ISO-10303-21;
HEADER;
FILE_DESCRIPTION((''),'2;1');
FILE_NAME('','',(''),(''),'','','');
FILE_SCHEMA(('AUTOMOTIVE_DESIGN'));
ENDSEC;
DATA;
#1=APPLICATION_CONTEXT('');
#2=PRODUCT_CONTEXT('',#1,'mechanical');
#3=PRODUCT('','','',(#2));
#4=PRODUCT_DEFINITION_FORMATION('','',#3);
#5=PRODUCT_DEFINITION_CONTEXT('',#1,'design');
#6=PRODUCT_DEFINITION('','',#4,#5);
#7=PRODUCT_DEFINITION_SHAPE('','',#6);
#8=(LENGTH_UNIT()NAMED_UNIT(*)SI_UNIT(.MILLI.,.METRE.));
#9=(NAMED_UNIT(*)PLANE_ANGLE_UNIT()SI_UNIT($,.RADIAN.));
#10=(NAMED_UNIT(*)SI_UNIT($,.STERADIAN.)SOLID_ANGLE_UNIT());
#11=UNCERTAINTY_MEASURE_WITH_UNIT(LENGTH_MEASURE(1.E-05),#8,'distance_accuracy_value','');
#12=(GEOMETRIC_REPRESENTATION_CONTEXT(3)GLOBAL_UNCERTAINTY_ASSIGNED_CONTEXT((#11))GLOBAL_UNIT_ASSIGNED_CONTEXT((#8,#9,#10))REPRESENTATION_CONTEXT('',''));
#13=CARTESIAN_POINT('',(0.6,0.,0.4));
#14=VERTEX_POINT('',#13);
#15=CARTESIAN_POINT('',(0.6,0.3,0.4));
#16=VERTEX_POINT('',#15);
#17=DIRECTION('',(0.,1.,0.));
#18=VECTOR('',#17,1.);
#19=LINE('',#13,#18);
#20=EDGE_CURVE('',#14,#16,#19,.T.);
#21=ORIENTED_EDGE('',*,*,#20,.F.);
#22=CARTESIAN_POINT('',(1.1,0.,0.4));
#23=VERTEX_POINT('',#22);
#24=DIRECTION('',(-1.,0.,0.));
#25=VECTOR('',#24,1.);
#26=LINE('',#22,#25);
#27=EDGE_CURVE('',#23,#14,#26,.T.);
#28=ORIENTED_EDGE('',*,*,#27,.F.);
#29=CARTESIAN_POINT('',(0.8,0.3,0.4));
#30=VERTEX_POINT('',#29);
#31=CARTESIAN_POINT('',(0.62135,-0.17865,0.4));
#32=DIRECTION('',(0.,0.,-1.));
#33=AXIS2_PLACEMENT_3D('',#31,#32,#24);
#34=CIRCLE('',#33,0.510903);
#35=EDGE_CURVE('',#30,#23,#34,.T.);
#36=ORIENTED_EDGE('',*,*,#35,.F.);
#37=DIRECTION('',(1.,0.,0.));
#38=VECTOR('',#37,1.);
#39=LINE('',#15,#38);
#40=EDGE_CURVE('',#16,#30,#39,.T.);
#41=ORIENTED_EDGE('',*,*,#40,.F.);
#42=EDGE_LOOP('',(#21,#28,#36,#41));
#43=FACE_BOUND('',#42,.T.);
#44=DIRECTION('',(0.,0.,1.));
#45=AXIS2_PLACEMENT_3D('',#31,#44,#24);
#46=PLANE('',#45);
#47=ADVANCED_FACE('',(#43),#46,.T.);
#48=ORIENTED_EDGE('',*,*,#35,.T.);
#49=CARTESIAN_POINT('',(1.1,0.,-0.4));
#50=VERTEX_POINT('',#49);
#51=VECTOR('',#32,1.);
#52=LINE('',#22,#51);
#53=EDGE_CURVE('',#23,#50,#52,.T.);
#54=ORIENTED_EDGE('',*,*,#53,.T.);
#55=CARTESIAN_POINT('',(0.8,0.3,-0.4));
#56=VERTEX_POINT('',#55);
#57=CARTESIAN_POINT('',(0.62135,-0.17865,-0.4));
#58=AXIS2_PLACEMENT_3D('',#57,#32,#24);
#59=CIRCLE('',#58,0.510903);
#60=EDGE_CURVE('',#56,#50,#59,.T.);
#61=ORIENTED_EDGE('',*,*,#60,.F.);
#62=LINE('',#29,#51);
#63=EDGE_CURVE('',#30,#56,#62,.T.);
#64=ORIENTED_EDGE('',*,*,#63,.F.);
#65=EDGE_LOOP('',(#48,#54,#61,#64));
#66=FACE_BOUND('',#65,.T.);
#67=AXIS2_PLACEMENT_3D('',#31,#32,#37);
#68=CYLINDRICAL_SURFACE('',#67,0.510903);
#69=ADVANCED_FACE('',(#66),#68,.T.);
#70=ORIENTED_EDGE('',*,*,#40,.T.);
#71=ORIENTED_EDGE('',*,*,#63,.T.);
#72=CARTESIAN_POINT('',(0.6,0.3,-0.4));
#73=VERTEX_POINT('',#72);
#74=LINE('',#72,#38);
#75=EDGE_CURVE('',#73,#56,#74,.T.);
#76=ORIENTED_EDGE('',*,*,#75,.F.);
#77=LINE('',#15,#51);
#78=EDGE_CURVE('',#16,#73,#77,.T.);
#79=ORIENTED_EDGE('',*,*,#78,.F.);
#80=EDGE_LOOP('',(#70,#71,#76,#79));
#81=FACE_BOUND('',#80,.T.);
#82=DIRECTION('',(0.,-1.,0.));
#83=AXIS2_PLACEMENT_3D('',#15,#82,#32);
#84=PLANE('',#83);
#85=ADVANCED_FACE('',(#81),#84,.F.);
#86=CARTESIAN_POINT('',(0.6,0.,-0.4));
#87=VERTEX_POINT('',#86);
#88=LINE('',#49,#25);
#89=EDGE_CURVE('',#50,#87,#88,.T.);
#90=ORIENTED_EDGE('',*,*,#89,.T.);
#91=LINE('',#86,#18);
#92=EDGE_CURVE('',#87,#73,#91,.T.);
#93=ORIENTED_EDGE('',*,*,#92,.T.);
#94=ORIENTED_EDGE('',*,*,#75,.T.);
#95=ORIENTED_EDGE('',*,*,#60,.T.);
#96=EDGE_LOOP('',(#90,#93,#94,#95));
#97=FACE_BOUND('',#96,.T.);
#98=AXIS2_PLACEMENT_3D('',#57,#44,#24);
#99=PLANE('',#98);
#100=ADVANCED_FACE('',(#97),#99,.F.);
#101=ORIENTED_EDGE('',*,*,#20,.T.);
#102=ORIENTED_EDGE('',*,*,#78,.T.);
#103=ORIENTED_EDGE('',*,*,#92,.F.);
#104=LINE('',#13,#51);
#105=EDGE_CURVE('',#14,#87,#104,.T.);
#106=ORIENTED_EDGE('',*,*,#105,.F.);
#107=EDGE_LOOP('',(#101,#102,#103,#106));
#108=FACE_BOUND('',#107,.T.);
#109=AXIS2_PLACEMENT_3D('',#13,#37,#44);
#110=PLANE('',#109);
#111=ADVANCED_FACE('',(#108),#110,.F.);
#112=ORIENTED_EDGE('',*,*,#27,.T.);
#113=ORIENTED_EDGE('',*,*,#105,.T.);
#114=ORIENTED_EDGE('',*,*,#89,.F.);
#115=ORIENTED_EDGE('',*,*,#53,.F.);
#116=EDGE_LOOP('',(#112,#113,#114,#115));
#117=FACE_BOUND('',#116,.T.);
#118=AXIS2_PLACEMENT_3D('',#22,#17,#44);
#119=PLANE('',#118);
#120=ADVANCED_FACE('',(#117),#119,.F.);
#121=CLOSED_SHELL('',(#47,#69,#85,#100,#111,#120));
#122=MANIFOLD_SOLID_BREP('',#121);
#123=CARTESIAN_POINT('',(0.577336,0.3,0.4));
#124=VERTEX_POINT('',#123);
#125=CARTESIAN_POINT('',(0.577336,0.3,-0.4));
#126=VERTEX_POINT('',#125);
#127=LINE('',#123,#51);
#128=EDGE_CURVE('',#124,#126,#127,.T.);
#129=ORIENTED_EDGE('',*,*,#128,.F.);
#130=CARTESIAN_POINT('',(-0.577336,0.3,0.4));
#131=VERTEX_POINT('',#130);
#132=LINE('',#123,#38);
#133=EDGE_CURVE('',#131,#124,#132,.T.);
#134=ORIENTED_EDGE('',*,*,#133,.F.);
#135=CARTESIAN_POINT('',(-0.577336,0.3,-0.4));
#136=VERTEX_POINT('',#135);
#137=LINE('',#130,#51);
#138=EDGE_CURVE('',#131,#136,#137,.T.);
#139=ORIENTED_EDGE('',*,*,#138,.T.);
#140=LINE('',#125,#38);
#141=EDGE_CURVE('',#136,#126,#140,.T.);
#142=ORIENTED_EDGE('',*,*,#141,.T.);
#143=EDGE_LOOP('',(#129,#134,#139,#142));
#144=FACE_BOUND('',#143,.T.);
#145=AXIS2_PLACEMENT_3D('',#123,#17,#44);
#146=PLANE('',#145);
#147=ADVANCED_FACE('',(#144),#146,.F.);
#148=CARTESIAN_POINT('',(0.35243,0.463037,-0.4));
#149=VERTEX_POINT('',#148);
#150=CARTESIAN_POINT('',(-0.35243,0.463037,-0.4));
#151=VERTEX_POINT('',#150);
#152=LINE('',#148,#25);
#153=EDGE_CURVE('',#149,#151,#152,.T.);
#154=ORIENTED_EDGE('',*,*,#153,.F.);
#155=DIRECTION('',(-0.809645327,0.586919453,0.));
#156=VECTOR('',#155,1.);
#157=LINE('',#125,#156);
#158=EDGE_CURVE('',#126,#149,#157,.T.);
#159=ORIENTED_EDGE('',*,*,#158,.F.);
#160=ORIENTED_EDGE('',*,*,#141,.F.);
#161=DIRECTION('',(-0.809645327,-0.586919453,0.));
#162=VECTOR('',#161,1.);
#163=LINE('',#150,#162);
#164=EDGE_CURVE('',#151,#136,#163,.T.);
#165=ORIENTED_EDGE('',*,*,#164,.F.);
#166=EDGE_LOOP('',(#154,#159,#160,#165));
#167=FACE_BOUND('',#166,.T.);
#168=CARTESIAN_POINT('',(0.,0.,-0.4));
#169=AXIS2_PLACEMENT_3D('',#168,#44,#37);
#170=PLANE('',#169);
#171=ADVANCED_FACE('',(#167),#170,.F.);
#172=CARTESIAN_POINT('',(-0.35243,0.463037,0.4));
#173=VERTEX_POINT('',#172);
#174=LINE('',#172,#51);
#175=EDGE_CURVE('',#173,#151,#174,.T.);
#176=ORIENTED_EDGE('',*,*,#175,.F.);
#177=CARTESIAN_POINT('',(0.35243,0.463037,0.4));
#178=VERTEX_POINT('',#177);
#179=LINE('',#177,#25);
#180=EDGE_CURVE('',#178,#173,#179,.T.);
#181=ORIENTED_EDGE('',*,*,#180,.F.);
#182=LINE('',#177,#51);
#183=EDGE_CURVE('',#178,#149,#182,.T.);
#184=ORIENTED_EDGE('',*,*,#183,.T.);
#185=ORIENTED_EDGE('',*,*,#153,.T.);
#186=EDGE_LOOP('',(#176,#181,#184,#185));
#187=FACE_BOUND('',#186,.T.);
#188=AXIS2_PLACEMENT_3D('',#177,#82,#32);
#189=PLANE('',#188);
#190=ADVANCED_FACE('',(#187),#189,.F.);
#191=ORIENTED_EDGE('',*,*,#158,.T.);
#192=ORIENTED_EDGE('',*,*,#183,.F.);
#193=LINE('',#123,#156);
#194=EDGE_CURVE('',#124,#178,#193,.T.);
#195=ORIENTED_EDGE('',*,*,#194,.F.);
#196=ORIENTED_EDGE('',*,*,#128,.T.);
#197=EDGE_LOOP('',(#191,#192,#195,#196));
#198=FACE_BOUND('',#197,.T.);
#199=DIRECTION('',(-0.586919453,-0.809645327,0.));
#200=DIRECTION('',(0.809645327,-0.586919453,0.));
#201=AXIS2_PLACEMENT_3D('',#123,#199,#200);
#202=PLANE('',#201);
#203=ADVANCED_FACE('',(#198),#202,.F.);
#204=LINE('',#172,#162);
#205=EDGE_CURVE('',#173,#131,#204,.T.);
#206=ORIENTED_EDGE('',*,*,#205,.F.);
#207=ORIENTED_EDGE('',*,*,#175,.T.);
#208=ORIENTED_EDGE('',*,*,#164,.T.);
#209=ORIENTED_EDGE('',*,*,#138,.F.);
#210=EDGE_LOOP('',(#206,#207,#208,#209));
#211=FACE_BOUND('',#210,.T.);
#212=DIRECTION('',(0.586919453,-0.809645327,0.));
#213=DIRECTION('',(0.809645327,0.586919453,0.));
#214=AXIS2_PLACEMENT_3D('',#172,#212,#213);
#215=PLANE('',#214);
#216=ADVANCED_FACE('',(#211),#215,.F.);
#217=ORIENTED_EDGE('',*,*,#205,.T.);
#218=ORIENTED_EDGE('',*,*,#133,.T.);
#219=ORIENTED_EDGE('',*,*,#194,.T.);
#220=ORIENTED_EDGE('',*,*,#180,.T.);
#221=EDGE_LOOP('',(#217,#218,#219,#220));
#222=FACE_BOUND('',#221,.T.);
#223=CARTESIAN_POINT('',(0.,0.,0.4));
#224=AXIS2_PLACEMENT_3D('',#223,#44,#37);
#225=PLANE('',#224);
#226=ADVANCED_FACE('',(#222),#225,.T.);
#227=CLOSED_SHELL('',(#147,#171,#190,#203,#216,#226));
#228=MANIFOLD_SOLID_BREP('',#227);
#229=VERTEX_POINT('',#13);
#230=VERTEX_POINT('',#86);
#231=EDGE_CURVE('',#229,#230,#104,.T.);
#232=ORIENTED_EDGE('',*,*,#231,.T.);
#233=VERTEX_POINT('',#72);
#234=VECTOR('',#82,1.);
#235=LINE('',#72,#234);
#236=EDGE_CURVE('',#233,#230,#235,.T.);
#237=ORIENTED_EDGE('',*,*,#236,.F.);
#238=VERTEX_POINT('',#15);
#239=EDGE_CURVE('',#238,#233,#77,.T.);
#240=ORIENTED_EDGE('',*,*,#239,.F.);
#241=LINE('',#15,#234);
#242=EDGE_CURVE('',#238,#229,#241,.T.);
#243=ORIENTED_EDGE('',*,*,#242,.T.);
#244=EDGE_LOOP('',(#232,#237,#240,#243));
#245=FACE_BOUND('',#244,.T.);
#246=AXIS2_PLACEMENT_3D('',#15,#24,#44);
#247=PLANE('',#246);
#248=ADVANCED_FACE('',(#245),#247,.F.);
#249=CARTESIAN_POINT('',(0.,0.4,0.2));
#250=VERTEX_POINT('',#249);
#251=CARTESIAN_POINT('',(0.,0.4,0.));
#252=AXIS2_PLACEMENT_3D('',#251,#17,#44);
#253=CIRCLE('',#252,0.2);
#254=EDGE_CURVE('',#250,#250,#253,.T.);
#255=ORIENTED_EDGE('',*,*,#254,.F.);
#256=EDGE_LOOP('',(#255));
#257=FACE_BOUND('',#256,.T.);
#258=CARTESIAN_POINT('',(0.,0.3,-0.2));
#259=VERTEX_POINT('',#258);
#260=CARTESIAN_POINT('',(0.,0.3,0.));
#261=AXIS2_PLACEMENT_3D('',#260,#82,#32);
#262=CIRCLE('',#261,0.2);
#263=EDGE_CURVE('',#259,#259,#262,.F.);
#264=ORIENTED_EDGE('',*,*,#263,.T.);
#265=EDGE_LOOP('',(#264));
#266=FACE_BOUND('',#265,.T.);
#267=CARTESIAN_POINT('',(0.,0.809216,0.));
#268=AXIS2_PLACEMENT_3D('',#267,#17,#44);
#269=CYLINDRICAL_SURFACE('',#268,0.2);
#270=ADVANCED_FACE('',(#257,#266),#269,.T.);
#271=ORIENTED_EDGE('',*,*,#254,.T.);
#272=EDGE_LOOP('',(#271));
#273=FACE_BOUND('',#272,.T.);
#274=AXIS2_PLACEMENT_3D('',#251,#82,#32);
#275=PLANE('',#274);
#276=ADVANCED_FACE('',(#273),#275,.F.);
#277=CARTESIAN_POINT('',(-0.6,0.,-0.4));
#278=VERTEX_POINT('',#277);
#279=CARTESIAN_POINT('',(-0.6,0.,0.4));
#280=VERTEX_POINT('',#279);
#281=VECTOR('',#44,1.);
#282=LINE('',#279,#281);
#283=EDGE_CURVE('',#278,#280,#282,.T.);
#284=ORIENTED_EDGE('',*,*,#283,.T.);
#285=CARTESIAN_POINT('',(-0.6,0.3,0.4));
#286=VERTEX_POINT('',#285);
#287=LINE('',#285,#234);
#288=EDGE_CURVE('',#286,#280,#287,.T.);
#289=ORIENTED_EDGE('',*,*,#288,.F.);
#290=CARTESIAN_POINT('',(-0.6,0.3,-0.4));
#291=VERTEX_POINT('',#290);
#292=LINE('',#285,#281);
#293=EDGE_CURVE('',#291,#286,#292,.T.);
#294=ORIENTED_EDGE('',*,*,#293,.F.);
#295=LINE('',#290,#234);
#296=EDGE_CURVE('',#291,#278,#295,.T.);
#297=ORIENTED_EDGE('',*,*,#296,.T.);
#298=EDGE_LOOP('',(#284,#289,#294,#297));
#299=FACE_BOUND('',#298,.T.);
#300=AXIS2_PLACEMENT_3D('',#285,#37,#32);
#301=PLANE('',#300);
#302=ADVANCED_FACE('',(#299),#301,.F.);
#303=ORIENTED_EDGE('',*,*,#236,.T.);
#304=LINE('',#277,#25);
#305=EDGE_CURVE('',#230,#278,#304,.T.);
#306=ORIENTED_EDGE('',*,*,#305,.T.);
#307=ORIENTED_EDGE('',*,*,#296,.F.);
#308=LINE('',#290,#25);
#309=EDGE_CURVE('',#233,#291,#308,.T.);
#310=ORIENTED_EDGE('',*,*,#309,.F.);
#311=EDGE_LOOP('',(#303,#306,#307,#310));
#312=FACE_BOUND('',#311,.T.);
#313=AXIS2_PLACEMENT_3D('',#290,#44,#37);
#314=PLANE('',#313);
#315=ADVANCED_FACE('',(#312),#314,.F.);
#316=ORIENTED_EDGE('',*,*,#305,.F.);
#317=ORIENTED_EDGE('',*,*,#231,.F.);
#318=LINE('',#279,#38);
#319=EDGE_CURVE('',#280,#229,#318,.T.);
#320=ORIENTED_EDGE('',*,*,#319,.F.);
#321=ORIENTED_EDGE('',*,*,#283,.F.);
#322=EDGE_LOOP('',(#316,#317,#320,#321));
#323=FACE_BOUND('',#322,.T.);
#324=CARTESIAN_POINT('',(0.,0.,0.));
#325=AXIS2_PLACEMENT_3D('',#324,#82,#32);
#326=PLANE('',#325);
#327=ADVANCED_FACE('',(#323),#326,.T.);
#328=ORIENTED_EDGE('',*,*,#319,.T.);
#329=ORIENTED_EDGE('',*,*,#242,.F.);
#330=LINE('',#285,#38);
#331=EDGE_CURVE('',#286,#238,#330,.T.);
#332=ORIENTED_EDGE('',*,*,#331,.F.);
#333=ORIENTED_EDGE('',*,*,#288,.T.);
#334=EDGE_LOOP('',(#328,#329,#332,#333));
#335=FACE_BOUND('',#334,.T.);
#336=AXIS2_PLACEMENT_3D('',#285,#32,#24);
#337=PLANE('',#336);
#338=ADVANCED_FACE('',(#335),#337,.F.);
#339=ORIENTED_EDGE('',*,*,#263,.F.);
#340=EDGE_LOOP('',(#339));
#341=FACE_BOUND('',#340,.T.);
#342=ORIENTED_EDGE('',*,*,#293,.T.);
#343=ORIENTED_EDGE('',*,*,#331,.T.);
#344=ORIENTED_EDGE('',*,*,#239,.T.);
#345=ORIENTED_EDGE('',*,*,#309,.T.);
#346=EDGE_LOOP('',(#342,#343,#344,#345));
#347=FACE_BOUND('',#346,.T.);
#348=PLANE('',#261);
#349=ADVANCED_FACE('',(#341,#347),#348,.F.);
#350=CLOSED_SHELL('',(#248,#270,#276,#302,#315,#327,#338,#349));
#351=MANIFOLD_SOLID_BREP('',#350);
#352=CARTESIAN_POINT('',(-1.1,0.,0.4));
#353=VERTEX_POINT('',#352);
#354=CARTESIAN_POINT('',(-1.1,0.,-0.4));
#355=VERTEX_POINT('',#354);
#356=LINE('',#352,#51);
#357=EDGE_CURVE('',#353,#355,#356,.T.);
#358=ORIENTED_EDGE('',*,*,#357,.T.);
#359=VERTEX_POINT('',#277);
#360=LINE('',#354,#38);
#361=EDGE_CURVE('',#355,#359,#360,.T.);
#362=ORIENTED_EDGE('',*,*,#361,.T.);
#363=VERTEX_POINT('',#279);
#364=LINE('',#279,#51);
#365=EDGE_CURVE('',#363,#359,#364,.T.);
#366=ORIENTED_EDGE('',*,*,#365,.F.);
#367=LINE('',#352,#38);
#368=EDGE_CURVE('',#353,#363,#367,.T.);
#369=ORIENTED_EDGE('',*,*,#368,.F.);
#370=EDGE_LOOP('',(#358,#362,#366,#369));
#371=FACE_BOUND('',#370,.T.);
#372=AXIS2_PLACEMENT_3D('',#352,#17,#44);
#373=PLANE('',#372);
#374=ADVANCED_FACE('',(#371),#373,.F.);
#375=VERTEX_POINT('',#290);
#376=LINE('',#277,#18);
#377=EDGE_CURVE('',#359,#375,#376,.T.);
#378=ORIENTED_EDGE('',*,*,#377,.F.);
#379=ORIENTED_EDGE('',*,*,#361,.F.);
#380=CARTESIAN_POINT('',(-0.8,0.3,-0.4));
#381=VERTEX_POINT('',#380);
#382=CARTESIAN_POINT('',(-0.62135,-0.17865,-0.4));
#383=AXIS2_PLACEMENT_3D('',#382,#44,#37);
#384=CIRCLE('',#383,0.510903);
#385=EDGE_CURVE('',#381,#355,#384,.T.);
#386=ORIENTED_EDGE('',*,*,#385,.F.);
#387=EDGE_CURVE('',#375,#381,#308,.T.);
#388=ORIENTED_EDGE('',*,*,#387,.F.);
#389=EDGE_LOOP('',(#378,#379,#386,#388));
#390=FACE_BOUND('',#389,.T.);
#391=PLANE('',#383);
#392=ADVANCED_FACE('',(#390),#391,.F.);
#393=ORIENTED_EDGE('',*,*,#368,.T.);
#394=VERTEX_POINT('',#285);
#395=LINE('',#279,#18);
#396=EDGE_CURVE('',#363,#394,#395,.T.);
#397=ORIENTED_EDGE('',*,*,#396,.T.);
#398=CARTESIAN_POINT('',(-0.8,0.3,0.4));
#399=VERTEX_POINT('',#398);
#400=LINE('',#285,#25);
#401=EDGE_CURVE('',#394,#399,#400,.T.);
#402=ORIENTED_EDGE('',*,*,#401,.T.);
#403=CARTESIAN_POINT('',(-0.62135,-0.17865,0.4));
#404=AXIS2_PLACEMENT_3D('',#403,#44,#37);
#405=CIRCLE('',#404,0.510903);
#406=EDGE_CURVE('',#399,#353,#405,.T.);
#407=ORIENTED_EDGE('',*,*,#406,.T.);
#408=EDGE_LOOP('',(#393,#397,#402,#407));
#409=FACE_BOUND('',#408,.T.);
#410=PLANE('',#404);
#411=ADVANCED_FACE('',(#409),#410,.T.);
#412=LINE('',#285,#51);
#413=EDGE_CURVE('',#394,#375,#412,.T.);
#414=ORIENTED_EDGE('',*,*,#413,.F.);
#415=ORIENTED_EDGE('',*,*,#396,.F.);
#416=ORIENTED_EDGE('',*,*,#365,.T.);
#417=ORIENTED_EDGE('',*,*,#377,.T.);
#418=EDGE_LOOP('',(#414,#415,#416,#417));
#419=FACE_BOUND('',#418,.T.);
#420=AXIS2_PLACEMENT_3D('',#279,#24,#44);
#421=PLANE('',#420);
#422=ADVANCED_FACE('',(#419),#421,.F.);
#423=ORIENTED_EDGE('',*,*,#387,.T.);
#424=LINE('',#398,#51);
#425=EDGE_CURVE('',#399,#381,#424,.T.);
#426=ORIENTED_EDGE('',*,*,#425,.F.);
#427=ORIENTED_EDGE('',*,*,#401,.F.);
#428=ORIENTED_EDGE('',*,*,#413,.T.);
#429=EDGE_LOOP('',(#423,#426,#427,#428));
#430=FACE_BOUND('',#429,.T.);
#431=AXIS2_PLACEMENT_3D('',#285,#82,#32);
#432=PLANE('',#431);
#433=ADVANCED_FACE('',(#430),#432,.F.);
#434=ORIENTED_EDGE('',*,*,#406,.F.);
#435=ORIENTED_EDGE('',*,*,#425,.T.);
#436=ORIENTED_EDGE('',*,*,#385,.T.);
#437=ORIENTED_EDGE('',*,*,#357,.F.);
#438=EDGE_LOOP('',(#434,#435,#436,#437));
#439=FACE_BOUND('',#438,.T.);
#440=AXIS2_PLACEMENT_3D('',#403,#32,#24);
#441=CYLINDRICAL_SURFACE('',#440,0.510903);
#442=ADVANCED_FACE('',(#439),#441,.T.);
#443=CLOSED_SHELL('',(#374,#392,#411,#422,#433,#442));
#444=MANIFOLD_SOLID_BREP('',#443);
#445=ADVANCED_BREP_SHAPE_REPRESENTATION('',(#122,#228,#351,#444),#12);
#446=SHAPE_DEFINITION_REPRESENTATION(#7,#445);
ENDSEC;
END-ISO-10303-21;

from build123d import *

# Parameters (mm, degrees)
SKETCH1_W           = 1.2
SKETCH1_H           = 0.8
BOSS_EXTRUDE1_DEPTH = 0.3
SKETCH3_W           = 0.2
SKETCH3_H           = 0.1
BOSS_EXTRU_1_DEPTH  = 0.4
BOSS_EXTRUDE5_DEPTH = 0.4


with BuildPart() as part:
    # Sketch1 → Boss-Extrude1 (new body)
    with BuildSketch(Plane(origin=(0, 0, 0), x_dir=(1, 0, 0), z_dir=(0, 1, 0))):
        Rectangle(SKETCH1_W, SKETCH1_H)
    extrude(amount=BOSS_EXTRUDE1_DEPTH)

    # Sketch3 → Revolve1 (revolve)
    with BuildSketch(Plane.XY, mode=Mode.PRIVATE) as revolve1_sk:
        with Locations((0.1, 0.35)):
            Rectangle(SKETCH3_W, SKETCH3_H)
    revolve(revolve1_sk.sketch.rotate(Axis((0, 0.809216282, 0), (0, -1, 0)), 90), axis=Axis((0, 0.809216282, 0), (0, -1, 0)))  # turned: the seam where the file's is


with BuildPart() as body_2:
    # Esquisse1 → Boss.-Extru.1 (new body, symmetric)
    with BuildSketch(Plane.XY):
        with BuildLine():
            Line((-0.6, 0.3), (-0.8, 0.3))
            ThreePointArc((-0.8, 0.3), (-0.982612802, 0.182612802), (-1.1, 0))
            Line((-1.1, 0), (-0.6, 0))
            Line((-0.6, 0), (-0.6, 0.3))
        make_face()
    extrude(amount=BOSS_EXTRU_1_DEPTH, both=True)


with BuildPart() as body_3:
    # Symétrie2: mirrored copy
    add(body_2.part.mirror(Plane(origin=(0, 0, 0), x_dir=(0, 0, 1), z_dir=(1, 0, 0))))


with BuildPart() as body_4:
    # Sketch2 → Boss-Extrude5 (new body, symmetric)
    with BuildSketch(Plane.XY):
        Polygon((0.577336189, 0.3), (-0.577336189, 0.3), (-0.352430123, 0.463036506), (0.352430123, 0.463036506), align=None)
    extrude(amount=BOSS_EXTRUDE5_DEPTH, both=True)


solid = Compound([part.part, body_2.part, body_3.part, body_4.part])
